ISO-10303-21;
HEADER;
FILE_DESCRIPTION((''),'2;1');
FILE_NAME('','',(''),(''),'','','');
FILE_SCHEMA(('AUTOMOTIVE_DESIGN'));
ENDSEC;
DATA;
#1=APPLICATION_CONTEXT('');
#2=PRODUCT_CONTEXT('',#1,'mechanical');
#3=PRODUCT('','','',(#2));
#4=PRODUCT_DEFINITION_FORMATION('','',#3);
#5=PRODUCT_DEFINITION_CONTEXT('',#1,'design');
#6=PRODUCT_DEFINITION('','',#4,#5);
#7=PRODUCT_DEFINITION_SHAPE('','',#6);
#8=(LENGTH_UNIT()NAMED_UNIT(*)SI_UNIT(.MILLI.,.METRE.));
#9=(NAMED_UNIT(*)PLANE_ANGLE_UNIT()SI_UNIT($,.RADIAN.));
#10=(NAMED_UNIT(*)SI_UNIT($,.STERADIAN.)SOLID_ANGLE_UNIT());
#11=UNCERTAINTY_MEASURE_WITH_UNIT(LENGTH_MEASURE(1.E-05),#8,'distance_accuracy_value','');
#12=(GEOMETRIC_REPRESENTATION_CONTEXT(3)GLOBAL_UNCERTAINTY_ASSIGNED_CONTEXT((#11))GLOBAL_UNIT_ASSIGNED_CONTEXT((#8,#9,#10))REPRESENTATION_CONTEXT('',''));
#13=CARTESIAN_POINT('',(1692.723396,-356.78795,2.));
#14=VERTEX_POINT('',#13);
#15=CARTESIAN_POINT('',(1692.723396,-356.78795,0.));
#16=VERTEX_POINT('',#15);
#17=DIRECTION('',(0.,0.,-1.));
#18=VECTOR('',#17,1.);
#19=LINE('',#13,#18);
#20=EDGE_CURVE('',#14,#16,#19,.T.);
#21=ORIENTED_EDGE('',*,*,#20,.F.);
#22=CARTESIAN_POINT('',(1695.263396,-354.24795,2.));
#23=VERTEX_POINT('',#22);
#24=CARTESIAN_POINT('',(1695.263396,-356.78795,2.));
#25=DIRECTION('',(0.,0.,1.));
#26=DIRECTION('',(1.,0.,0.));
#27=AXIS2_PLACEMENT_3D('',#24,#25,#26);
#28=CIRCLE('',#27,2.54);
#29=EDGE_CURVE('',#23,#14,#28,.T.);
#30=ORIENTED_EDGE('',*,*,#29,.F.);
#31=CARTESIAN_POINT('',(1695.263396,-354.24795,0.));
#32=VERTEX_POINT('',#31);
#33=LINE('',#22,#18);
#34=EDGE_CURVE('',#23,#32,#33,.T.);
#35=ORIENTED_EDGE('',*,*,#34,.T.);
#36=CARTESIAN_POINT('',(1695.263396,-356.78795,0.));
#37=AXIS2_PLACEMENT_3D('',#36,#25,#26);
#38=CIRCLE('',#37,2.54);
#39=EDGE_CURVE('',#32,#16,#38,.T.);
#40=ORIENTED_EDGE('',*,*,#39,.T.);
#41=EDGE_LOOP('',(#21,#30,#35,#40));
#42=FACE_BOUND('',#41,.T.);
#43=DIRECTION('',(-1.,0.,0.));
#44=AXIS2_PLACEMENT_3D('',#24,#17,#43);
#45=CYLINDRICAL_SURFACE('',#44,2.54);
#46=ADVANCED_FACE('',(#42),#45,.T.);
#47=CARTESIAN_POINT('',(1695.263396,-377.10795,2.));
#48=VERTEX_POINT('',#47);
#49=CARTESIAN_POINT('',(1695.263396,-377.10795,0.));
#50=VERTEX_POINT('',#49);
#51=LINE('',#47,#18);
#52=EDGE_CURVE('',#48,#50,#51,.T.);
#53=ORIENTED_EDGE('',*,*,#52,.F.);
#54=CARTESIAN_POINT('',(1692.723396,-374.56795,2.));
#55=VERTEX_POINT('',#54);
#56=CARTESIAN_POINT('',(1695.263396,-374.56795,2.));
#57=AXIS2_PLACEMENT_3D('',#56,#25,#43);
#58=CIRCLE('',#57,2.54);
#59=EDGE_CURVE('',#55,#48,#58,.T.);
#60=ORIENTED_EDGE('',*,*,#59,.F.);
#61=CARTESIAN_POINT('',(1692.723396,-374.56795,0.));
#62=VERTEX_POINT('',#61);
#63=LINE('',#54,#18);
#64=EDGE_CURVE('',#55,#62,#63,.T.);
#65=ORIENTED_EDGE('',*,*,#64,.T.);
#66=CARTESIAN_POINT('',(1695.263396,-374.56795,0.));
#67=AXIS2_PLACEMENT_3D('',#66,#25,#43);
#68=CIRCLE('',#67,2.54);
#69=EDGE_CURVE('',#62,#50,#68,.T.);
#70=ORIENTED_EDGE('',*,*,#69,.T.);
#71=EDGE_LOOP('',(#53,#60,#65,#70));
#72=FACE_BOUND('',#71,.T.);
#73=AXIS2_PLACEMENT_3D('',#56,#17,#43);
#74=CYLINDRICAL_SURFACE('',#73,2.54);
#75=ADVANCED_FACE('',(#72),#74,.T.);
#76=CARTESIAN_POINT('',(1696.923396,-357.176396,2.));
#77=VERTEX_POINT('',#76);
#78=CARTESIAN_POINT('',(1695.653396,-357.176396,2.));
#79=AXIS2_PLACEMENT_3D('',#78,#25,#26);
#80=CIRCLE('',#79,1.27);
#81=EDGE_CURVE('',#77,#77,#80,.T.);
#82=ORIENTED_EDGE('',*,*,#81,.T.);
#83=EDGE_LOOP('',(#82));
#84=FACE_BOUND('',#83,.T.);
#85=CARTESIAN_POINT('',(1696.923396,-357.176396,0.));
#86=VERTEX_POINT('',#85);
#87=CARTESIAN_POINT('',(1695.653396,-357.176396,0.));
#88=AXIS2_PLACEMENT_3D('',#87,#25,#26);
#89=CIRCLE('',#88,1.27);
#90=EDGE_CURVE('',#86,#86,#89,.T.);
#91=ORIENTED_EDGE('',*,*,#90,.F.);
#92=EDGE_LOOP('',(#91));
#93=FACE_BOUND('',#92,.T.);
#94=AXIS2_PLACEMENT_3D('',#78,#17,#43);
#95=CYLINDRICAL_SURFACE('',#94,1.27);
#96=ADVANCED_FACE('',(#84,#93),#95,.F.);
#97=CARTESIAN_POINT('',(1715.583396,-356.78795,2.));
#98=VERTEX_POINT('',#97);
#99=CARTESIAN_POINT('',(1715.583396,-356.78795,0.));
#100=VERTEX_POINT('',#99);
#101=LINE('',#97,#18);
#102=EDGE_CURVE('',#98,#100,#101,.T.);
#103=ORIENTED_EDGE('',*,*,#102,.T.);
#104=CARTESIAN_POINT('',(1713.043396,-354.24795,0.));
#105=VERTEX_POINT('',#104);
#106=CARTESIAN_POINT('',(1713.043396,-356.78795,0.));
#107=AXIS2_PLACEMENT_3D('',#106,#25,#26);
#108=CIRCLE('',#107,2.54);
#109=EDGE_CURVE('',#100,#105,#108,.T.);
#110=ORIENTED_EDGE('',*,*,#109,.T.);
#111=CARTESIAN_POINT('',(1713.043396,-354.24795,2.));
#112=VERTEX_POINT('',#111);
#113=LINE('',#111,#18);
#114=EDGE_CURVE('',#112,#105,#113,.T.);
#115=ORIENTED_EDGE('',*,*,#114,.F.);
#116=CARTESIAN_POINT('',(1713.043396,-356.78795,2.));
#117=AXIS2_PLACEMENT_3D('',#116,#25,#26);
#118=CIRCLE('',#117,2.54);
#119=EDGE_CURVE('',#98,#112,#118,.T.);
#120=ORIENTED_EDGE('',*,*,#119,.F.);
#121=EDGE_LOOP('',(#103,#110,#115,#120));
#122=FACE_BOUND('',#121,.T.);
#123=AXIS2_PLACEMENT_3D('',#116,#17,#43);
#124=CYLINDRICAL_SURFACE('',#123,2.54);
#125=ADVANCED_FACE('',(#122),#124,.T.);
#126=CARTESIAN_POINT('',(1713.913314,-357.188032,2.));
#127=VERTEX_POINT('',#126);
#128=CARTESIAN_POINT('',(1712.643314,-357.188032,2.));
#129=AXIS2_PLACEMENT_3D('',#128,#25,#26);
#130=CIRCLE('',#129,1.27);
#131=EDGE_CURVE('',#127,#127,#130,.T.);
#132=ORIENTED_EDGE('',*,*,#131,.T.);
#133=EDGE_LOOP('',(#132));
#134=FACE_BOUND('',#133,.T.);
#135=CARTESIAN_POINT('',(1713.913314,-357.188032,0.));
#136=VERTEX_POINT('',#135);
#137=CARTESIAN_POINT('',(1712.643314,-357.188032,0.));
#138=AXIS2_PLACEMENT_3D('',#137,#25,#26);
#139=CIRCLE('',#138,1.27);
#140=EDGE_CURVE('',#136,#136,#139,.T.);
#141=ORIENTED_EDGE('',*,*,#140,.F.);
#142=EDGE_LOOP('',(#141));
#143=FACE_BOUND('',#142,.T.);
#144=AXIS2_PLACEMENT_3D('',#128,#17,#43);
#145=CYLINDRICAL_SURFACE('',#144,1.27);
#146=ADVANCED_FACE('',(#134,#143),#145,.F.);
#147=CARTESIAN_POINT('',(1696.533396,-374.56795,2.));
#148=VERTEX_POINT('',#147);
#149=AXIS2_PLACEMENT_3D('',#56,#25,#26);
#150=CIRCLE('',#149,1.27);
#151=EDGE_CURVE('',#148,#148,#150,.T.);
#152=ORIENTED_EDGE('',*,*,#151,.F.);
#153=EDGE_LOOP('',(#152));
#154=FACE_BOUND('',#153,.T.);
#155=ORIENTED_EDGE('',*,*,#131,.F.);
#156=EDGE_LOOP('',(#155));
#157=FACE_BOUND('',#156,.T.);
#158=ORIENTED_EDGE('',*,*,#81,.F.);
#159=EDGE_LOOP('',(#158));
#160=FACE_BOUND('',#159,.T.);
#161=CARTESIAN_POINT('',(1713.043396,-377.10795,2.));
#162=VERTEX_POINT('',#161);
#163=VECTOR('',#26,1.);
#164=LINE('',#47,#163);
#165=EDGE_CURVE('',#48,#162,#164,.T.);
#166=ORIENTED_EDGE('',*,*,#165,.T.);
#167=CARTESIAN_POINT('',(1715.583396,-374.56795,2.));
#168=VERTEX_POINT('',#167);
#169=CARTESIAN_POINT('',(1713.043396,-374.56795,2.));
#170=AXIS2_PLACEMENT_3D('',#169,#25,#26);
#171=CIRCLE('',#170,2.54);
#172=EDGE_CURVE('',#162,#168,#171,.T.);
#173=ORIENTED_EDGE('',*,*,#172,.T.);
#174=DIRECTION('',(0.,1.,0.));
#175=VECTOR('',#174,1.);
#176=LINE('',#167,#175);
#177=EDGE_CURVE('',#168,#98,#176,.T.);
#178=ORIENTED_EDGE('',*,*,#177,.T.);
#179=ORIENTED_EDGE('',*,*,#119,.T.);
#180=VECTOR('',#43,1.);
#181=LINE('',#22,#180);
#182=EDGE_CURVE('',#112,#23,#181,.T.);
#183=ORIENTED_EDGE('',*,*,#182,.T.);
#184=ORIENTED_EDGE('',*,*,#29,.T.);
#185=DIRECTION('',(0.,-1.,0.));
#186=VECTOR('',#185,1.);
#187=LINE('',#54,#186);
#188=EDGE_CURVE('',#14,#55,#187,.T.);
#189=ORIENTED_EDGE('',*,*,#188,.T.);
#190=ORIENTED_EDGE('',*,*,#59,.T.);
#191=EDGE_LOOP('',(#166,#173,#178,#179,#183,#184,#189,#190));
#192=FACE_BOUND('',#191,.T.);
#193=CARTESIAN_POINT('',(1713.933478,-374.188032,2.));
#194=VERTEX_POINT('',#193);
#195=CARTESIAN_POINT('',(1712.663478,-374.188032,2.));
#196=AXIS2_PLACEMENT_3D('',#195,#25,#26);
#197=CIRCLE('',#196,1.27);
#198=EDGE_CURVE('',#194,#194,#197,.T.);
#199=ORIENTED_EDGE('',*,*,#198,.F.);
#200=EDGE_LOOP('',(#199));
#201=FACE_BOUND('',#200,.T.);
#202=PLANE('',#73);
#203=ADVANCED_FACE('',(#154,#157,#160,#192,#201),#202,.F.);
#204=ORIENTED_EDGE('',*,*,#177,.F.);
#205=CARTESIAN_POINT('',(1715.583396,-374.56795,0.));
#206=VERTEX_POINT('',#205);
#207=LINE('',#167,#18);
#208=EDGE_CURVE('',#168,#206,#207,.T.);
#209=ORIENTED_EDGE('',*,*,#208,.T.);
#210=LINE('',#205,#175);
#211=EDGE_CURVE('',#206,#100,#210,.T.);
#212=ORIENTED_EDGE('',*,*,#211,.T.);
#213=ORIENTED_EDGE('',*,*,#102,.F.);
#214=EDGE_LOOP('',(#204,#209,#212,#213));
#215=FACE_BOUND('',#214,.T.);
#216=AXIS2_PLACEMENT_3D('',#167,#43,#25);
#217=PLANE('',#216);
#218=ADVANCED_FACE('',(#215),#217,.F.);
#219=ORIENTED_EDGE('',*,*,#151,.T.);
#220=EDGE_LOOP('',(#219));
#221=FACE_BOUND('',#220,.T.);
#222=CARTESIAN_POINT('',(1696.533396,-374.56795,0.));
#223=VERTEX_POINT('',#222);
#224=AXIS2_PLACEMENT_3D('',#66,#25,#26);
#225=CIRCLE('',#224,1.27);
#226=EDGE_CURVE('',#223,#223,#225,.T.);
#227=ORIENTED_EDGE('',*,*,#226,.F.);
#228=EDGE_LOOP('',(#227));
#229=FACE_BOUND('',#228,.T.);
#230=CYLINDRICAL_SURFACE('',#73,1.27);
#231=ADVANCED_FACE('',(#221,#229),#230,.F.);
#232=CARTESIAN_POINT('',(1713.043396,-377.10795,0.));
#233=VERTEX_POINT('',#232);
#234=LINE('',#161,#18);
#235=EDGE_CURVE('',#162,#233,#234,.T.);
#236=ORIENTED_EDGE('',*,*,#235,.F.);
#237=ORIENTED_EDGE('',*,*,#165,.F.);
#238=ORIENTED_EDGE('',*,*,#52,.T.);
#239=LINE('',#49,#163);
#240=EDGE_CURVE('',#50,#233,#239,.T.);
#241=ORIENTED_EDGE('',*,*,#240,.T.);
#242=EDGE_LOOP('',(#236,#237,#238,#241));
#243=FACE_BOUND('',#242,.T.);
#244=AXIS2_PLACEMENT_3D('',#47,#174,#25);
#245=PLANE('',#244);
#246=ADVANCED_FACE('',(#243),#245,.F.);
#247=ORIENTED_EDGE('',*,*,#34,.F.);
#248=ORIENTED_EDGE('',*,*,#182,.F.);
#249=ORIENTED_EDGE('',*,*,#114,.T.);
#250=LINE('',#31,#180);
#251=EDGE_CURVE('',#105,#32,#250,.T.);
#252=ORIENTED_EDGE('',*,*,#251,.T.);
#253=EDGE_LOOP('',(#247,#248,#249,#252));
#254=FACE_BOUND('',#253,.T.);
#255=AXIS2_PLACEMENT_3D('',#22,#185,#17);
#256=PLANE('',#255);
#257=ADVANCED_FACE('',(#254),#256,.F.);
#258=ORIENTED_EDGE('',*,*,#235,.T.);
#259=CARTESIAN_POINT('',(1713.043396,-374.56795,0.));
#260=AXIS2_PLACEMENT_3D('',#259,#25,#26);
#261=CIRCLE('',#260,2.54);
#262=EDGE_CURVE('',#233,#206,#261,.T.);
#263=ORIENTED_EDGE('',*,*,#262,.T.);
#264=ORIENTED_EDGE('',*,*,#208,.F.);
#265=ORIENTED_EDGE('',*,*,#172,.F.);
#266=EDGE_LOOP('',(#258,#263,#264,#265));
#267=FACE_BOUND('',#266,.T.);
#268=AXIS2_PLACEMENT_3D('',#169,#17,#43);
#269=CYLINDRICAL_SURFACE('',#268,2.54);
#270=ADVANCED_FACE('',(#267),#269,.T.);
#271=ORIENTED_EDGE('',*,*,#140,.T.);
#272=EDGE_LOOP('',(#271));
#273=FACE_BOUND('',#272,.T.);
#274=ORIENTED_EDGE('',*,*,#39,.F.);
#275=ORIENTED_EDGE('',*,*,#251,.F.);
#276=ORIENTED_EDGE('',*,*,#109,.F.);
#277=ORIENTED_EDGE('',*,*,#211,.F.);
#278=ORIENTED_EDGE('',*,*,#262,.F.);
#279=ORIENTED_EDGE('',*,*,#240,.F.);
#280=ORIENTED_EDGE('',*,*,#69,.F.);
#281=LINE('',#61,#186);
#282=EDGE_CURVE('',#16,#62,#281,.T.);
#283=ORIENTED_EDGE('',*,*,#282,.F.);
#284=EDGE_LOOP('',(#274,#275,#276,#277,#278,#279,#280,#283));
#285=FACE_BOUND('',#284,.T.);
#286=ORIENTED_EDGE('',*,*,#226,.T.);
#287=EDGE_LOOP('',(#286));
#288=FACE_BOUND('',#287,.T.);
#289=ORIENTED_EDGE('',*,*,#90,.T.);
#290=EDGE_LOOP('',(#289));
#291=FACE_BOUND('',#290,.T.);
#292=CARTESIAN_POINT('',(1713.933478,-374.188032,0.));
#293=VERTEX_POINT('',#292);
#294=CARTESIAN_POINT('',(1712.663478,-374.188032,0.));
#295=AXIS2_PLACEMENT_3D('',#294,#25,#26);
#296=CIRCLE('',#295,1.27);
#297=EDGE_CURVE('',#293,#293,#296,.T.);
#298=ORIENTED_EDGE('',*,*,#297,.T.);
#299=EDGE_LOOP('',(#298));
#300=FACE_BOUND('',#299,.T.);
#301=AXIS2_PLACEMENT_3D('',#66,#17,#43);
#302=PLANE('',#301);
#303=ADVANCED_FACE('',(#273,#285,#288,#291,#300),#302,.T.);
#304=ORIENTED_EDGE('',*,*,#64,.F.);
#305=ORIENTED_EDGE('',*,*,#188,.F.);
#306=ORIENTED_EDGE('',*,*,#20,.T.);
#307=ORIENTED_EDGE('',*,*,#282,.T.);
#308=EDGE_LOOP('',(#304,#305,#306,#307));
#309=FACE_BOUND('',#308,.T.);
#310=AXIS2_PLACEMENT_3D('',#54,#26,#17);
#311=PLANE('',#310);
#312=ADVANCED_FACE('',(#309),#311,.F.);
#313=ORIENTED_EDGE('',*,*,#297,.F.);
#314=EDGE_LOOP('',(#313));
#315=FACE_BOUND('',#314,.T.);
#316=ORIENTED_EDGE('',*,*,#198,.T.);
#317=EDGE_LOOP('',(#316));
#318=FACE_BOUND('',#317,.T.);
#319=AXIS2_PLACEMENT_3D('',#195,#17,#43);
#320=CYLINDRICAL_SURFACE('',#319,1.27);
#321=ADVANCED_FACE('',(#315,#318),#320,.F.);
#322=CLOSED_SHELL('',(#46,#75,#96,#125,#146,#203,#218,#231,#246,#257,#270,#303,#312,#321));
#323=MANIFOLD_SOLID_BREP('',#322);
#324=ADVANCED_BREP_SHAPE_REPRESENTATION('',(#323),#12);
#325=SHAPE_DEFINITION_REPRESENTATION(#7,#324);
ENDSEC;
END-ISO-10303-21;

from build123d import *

# Parameters (mm, degrees)
SKETCH1_R           = 1.27
BOSS_EXTRUDE1_DEPTH = 2


with BuildPart() as part:
    # Sketch1 → Boss-Extrude1 (new body)
    with BuildSketch(Plane.XY):
        with BuildLine():
            Line((1695.263396046, -377.107950289), (1713.043396046, -377.107950289))
            ThreePointArc((1713.043396046, -377.107950289), (1714.839447271, -376.364001513), (1715.583396046, -374.567950289))
            Line((1715.583396046, -374.567950289), (1715.583396046, -356.787950289))
            ThreePointArc((1715.583396046, -356.787950289), (1714.839447271, -354.991899064), (1713.043396046, -354.247950289))
            Line((1713.043396046, -354.247950289), (1695.263396046, -354.247950289))
            ThreePointArc((1695.263396046, -354.247950289), (1693.467344822, -354.991899064), (1692.723396046, -356.787950289))
            Line((1692.723396046, -356.787950289), (1692.723396046, -374.567950289))
            ThreePointArc((1692.723396046, -374.567950289), (1693.467344822, -376.364001513), (1695.263396046, -377.107950289))
        make_face()
        with Locations((1695.653396046, -357.176396132)):
            Circle(SKETCH1_R, mode=Mode.SUBTRACT)
        with Locations((1712.643314485, -357.188031851)):
            Circle(SKETCH1_R, mode=Mode.SUBTRACT)
        with Locations((1712.663477608, -374.188031851)):
            Circle(SKETCH1_R, mode=Mode.SUBTRACT)
        with Locations((1695.263396046, -374.567950289)):
            Circle(SKETCH1_R, mode=Mode.SUBTRACT)
    extrude(amount=BOSS_EXTRUDE1_DEPTH)


solid = part.part
